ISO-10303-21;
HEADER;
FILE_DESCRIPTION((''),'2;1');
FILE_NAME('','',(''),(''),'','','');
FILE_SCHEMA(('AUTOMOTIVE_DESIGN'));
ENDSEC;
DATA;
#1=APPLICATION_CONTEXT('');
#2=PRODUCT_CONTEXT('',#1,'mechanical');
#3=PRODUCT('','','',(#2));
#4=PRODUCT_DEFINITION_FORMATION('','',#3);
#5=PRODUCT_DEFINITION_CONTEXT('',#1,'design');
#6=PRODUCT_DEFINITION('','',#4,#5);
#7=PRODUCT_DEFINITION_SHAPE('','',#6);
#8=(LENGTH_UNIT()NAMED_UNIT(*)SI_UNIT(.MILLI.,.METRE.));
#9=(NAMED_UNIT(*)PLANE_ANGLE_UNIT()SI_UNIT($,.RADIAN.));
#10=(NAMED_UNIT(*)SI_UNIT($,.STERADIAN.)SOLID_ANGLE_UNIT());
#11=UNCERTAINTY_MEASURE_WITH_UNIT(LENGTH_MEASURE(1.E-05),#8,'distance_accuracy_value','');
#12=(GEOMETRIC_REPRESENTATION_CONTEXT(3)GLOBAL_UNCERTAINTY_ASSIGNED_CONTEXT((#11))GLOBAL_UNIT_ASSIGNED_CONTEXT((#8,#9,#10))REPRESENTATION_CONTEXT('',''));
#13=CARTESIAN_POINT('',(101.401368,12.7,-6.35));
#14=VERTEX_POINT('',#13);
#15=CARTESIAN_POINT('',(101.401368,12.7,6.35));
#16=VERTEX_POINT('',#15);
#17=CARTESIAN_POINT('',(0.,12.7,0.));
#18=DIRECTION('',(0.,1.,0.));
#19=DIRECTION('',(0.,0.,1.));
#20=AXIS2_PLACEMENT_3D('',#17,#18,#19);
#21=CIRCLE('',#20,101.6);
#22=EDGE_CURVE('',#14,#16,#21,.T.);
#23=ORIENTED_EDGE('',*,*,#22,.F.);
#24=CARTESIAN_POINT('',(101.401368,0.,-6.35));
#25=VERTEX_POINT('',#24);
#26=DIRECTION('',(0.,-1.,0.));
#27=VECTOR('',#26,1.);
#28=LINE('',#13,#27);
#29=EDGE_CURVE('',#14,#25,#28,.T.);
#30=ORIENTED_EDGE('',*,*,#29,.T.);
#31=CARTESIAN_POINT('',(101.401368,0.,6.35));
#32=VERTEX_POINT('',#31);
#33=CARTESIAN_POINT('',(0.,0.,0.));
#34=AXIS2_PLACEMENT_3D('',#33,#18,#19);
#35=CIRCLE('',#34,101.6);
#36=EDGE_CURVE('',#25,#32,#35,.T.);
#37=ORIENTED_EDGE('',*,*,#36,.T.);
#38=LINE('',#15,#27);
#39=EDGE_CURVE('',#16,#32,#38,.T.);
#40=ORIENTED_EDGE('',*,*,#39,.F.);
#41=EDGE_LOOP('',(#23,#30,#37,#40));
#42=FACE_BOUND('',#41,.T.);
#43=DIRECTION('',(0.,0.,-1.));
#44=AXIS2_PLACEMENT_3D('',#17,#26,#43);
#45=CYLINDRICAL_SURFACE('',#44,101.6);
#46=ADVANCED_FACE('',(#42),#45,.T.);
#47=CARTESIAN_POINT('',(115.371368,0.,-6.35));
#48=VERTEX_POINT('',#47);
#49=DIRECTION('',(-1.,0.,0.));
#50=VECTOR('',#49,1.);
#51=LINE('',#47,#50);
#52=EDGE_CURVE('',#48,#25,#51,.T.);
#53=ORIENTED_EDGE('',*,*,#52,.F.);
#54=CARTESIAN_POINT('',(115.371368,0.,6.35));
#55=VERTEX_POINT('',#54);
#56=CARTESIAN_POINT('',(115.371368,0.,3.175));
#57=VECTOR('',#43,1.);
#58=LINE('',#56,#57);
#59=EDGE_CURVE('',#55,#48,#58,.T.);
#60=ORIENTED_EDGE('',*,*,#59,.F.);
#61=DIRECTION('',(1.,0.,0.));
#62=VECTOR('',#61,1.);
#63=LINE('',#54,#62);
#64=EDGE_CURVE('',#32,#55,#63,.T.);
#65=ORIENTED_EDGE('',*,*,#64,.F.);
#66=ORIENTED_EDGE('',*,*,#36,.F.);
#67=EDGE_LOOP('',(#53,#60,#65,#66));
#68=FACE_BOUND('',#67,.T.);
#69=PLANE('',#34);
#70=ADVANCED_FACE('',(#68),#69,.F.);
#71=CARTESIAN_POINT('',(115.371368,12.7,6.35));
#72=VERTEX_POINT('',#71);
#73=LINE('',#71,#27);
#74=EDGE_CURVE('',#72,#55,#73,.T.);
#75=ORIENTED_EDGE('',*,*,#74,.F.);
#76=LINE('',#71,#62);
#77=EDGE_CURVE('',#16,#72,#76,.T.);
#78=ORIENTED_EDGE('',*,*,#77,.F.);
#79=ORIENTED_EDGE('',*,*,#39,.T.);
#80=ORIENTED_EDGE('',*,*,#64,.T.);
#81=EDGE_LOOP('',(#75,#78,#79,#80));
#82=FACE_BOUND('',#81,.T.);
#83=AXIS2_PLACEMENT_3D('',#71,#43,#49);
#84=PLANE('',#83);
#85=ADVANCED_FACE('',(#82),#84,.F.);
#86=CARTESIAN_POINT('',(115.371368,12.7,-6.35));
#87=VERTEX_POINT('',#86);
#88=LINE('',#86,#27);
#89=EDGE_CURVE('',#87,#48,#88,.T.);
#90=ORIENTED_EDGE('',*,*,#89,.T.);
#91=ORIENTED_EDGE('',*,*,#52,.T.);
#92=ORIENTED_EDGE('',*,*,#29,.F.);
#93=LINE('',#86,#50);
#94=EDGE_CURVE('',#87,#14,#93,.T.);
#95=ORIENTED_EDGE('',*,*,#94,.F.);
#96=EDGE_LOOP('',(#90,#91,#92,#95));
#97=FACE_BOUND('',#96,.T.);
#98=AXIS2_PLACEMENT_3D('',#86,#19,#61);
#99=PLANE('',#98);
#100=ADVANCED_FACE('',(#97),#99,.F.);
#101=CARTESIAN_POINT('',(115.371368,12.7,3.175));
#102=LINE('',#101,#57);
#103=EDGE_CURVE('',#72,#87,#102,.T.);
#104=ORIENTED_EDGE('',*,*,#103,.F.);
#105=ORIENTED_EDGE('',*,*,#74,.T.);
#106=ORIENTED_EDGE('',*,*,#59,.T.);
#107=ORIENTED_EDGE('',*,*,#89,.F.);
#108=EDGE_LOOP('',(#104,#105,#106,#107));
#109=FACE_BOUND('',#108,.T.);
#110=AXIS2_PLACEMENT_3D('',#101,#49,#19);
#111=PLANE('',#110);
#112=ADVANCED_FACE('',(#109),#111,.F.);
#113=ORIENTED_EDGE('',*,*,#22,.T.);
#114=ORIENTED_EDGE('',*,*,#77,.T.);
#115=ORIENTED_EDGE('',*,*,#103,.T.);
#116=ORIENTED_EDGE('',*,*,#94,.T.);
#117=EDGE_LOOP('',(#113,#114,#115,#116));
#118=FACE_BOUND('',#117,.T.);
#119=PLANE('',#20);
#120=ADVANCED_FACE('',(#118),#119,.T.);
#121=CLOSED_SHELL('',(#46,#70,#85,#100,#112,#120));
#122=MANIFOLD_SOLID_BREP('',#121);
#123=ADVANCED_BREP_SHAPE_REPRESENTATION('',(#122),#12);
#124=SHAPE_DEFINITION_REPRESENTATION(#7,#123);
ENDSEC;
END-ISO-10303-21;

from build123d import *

# Parameters (mm, degrees)
BOSS_EXTRUDE2_DEPTH = 12.7


with BuildPart() as part:
    # Sketch1 → Boss-Extrude2 (new body)
    with BuildSketch(Plane(origin=(0, 0, 0), x_dir=(1, 0, 0), z_dir=(0, 1, 0))):
        with BuildLine():
            Line((115.371368334, -3.175), (115.371368334, 6.35))
            Line((115.371368334, 6.35), (101.401368334, 6.35))
            ThreePointArc((101.401368334, 6.35), (-101.6, 0), (101.401368334, -6.35))
            Line((101.401368334, -6.35), (115.371368334, -6.35))
            Line((115.371368334, -6.35), (115.371368334, -3.175))
        make_face()
    extrude(amount=BOSS_EXTRUDE2_DEPTH)


solid = part.part
